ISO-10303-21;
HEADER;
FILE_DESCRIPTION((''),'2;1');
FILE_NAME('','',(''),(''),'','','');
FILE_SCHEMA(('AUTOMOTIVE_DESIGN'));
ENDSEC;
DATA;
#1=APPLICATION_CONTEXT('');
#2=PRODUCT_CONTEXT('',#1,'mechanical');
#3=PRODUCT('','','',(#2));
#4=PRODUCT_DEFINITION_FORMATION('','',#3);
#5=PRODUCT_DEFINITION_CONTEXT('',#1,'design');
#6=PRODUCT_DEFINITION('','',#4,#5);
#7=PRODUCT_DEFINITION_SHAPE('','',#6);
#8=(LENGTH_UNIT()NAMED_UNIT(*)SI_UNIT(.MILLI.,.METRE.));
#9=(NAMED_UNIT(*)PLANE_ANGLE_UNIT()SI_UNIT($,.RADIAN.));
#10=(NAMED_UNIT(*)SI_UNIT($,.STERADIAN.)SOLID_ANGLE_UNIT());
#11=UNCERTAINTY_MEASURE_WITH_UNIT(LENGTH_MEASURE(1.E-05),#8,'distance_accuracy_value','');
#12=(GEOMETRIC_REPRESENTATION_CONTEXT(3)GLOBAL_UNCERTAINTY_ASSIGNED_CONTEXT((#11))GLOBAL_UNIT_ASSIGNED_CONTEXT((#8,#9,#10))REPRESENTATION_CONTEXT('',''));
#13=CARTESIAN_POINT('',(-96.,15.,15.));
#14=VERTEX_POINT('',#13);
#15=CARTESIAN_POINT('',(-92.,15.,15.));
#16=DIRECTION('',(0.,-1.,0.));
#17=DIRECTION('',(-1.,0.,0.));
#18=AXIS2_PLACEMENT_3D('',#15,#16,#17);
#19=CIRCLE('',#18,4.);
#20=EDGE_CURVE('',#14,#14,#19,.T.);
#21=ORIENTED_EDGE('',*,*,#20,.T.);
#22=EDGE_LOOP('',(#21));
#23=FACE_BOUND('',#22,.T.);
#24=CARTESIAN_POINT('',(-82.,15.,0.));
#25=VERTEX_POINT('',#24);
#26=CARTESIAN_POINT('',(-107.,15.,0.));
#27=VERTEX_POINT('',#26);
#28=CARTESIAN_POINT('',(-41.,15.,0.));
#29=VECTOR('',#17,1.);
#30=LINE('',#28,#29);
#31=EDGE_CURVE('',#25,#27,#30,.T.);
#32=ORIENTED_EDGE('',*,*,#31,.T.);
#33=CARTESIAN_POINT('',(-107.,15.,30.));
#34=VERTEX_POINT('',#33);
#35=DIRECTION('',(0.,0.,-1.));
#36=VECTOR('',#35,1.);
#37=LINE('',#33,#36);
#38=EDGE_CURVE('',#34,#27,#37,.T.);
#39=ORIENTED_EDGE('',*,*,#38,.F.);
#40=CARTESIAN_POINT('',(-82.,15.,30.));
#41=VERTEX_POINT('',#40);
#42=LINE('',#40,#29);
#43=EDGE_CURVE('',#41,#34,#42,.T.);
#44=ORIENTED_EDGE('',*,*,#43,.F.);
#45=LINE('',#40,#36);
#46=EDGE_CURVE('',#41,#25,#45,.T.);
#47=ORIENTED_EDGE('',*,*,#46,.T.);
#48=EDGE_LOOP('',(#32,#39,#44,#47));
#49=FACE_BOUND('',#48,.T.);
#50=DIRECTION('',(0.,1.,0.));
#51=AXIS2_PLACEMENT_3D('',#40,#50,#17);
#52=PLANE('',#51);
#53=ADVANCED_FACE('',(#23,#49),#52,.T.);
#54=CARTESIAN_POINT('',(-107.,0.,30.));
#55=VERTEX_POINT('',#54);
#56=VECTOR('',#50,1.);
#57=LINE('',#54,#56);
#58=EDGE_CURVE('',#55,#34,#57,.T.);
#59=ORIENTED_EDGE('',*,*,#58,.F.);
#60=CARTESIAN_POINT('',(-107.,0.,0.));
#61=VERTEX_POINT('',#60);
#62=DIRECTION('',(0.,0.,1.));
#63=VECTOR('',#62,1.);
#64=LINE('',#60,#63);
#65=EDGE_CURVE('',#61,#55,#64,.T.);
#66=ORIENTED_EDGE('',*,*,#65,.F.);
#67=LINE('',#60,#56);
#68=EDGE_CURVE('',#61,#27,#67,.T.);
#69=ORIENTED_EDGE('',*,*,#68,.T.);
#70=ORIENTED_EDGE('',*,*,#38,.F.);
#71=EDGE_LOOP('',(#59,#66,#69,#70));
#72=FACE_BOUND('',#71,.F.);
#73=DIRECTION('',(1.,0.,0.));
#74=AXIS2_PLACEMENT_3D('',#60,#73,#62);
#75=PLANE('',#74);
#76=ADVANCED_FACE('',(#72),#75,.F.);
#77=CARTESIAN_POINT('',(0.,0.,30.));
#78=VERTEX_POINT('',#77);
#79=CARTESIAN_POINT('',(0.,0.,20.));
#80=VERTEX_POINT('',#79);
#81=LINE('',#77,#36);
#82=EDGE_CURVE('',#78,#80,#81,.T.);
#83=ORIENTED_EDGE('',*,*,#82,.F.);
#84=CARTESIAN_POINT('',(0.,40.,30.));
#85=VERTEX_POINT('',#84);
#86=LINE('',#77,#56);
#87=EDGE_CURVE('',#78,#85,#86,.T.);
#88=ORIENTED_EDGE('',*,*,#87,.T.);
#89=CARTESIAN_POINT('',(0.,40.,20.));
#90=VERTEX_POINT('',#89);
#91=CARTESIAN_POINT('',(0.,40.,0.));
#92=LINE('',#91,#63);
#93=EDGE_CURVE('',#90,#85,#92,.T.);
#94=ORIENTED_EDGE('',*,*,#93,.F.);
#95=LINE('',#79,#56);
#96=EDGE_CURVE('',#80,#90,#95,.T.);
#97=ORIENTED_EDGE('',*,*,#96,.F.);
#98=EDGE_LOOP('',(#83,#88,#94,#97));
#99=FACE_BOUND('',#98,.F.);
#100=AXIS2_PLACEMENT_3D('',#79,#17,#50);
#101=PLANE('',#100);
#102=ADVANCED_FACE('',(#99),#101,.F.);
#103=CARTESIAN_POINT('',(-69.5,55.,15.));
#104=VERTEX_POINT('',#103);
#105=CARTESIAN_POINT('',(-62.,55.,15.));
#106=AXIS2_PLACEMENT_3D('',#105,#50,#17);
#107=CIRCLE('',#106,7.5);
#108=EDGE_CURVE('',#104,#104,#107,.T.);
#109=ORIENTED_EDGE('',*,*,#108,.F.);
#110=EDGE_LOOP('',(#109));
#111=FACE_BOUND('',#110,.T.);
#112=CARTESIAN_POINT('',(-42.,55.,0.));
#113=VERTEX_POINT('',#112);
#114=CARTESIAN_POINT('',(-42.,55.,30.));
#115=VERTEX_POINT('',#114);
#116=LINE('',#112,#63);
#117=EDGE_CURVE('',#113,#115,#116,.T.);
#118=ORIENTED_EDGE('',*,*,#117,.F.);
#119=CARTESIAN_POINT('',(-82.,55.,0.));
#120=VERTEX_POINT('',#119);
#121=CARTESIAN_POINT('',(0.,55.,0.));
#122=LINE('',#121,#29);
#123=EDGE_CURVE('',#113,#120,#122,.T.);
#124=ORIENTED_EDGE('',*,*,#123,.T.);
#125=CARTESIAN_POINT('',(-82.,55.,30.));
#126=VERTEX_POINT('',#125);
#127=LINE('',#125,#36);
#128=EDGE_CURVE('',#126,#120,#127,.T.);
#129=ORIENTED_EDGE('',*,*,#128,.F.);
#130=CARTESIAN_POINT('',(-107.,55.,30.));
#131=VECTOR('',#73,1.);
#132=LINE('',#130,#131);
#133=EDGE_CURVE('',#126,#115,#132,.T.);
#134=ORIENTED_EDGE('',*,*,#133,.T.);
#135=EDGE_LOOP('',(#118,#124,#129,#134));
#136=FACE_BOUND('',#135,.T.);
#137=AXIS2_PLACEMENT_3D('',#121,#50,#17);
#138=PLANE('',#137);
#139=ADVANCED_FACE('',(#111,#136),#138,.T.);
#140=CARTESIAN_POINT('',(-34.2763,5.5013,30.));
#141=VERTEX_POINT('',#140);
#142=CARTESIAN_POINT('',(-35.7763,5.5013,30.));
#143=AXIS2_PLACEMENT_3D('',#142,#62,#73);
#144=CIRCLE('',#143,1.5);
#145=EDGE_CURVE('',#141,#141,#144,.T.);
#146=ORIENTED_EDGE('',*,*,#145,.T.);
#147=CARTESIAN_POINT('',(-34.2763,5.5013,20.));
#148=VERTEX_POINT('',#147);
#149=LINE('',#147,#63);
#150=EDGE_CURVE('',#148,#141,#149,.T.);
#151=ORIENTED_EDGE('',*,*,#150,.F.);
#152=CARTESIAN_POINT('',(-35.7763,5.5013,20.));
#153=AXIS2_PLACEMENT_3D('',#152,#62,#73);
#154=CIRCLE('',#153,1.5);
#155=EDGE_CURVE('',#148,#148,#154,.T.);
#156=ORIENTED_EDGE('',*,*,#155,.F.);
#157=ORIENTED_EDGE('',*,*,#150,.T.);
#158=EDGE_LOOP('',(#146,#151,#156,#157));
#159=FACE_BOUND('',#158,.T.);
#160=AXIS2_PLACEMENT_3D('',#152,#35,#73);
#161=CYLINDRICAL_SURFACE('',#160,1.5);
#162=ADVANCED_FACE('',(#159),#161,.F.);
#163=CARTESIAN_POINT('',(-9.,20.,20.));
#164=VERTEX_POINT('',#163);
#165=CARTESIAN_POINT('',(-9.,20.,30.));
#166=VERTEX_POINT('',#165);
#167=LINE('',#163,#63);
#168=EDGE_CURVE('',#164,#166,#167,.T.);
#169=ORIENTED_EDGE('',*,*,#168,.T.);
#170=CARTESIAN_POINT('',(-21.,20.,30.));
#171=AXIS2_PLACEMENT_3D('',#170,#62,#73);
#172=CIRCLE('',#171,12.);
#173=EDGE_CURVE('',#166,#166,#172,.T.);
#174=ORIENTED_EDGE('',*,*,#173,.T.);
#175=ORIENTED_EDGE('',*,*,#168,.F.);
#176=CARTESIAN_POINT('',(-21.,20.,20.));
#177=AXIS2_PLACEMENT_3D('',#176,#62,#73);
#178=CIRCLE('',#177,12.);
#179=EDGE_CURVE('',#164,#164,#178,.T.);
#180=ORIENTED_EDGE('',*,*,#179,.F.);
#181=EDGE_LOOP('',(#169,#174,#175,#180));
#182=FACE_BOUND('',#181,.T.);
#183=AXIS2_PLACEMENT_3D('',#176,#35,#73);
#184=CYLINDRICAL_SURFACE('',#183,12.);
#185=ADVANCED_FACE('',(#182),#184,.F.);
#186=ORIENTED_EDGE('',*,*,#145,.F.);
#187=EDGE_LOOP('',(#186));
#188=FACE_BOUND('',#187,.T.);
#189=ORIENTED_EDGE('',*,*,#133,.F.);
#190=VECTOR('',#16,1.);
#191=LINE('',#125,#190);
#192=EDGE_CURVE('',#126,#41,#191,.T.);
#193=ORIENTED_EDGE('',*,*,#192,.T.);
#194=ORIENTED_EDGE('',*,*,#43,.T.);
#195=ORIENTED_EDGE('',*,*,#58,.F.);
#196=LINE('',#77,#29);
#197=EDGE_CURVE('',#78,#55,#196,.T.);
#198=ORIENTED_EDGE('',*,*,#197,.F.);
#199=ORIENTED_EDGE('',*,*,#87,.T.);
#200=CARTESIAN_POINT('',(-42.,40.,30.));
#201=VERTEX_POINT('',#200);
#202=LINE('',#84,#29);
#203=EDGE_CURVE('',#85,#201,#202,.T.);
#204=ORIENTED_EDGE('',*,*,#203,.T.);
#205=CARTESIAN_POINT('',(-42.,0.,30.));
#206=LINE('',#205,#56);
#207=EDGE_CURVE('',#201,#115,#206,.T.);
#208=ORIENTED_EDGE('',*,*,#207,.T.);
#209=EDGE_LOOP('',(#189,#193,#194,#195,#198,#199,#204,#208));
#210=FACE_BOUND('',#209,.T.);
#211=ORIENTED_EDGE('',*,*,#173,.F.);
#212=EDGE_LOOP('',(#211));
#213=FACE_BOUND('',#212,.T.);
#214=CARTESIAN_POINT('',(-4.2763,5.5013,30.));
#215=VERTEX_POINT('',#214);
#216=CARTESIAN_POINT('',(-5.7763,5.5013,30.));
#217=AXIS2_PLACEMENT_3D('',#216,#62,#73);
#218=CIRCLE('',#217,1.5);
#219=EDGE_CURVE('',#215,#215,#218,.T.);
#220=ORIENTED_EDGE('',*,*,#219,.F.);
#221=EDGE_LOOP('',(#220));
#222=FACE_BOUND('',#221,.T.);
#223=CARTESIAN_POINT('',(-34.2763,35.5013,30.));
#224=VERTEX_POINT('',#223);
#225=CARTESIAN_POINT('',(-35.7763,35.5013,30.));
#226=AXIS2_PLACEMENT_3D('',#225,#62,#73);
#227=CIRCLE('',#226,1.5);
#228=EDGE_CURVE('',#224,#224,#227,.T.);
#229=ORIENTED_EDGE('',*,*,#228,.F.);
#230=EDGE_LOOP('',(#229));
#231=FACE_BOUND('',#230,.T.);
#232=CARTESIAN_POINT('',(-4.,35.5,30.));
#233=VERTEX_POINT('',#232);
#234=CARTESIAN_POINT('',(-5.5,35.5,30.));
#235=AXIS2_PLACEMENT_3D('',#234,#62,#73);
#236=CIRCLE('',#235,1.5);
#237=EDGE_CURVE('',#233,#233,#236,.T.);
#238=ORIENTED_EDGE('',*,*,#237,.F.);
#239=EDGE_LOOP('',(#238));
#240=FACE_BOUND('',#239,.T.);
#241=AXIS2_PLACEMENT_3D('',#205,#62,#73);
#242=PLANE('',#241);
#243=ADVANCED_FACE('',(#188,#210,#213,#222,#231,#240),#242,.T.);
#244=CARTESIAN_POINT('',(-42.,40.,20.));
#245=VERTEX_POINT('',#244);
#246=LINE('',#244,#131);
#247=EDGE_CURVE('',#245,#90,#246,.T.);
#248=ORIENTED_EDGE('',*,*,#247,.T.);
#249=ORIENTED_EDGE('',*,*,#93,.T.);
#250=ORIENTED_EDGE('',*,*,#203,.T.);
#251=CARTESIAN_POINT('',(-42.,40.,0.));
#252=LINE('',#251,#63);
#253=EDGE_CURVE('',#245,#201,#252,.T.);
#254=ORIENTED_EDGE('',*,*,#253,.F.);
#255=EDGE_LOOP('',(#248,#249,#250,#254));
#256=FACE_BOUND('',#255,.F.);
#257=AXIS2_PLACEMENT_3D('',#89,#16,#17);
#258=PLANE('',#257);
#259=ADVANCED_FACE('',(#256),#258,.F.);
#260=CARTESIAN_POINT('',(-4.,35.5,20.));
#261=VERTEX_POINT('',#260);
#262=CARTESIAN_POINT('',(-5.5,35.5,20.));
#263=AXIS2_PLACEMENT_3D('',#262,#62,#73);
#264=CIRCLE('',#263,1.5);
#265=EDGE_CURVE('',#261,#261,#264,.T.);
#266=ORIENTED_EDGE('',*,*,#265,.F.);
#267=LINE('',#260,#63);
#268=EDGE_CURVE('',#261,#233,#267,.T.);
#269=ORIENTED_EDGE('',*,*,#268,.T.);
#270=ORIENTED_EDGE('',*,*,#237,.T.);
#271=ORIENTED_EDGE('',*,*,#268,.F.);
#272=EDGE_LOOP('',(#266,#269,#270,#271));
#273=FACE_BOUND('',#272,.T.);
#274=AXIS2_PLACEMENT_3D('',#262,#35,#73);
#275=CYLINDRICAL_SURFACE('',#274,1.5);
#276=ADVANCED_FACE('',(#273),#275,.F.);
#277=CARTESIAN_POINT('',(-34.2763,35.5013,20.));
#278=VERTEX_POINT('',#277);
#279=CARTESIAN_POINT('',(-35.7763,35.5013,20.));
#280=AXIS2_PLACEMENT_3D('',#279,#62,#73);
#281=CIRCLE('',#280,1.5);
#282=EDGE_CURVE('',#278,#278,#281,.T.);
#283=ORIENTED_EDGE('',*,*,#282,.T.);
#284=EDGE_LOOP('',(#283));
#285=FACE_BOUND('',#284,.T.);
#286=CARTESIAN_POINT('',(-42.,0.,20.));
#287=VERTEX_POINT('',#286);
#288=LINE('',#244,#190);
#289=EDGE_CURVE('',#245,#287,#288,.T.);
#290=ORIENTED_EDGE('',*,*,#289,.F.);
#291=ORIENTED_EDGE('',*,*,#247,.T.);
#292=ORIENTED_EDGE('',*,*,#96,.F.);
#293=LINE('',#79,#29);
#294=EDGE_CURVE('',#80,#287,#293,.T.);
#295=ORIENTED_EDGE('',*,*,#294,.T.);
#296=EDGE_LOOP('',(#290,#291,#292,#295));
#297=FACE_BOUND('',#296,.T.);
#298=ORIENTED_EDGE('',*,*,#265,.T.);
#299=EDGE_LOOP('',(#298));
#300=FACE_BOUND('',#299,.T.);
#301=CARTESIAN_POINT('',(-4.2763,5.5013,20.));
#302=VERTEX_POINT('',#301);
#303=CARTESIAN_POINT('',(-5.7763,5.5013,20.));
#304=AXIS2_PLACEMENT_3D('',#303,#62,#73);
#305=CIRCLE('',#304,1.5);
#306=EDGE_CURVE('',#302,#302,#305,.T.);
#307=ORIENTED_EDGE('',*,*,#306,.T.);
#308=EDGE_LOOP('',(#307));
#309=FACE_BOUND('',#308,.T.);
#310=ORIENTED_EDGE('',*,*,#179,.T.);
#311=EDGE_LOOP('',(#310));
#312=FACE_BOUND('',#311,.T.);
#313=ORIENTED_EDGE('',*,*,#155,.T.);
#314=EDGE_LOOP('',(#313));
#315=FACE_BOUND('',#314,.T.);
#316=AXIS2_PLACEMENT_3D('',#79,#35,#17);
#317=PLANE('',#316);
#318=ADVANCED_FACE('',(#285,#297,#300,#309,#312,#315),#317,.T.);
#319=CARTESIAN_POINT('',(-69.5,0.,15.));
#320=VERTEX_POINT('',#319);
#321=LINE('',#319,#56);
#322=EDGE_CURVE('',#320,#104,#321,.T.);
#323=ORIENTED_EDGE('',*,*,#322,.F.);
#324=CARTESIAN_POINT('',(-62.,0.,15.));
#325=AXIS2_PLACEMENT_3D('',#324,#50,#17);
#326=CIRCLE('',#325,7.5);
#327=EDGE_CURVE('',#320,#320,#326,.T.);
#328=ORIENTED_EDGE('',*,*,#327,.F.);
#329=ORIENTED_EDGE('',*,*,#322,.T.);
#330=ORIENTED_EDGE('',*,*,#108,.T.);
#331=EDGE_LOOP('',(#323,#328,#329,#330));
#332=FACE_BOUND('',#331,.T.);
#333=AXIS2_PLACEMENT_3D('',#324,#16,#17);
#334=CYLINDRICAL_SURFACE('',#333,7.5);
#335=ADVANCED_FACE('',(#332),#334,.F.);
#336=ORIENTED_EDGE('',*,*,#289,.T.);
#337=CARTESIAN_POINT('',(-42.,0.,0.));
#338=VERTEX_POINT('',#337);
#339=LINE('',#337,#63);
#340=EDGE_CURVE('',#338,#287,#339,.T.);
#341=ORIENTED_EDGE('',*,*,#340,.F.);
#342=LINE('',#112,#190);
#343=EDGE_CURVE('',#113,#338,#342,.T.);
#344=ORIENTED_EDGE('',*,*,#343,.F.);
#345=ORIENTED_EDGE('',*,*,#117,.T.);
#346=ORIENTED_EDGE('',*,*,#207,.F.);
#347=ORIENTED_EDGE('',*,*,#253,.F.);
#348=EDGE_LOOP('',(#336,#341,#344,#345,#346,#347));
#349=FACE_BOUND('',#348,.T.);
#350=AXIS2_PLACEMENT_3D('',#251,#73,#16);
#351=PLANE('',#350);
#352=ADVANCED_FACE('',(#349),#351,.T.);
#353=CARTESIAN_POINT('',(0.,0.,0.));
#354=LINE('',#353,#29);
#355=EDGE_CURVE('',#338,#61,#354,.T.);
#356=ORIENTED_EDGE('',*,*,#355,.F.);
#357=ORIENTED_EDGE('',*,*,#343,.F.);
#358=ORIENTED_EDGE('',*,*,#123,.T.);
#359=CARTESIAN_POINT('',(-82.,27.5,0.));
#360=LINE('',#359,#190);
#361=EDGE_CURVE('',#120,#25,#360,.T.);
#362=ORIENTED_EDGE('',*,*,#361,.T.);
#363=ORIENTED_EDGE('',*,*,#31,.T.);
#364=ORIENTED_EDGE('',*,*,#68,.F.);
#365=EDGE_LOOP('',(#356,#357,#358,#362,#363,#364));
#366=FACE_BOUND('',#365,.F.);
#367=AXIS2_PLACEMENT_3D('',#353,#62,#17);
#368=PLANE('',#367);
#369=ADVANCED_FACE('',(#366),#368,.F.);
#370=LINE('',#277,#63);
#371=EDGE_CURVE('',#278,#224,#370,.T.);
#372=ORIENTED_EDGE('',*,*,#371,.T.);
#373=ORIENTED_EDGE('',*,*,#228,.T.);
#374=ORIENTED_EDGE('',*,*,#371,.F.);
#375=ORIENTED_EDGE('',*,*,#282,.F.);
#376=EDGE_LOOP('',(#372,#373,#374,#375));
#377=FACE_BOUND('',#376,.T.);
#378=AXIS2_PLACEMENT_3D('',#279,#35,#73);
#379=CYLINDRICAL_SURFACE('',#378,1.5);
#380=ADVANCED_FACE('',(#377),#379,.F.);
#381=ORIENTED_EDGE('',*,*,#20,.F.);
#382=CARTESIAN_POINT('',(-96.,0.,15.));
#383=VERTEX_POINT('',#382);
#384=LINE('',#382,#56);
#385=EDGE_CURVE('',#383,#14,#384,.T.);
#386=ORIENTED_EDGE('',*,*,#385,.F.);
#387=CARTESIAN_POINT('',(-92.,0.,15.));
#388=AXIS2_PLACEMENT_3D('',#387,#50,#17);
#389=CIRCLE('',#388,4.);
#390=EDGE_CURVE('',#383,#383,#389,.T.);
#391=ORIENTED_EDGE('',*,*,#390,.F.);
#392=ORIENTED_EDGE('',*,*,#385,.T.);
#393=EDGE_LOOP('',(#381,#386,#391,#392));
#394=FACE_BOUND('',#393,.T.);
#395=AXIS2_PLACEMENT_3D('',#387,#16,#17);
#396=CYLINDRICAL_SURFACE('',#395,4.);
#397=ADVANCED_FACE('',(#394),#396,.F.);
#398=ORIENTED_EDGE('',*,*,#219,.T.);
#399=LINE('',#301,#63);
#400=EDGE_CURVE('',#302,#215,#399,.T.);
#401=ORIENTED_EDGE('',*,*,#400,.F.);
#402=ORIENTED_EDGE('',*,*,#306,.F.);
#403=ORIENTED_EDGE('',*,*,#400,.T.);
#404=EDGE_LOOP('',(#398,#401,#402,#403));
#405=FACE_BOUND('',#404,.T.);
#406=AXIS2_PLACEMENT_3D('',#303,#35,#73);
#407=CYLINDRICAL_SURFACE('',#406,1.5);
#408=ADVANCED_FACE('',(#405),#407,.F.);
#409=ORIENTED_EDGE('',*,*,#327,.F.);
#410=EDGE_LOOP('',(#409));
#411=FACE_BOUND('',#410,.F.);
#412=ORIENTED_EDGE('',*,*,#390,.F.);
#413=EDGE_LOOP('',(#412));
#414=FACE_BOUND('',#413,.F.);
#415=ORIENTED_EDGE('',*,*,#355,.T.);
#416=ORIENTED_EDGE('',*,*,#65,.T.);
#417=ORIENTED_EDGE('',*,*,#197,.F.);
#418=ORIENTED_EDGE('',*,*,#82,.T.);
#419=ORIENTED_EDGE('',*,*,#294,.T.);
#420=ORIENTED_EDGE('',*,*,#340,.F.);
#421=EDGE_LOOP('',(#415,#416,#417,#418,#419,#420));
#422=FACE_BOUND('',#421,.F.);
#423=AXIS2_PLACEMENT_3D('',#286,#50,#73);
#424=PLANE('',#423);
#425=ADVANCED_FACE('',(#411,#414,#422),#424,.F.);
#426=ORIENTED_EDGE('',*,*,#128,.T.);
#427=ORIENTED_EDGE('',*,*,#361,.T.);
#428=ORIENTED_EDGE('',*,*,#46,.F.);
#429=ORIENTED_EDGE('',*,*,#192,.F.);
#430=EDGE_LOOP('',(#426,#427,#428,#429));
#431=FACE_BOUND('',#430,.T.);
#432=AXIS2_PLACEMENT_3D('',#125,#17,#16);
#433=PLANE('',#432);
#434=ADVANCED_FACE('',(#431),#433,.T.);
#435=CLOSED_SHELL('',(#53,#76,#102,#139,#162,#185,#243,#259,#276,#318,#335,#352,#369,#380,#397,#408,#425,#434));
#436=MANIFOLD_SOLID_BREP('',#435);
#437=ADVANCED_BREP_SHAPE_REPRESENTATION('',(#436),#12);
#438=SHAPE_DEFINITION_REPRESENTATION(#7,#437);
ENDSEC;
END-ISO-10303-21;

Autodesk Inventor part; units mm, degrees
ref_plane "YZ Plane" through (0, 0, 0) normal (1, 0, 0) x (0, 1, 0)
ref_plane "XZ Plane" through (0, 0, 0) normal (0, 1, 0) x (-1, 0, 0)
ref_plane "XY Plane" through (0, 0, 0) normal (0, 0, 1) x (1, 0, 0)
sketch "Sketch1" plane through (0, 0, 0) normal (0, 1, 0) x (-1, 0, 0)
  line L0 (0, 0) -> (107, 0)
  line L1 (107, 0) -> (107, 30)
  line L2 (107, 30) -> (42, 30)
  line L3 (0, 20) -> (0, 0)
  line L4 (42, 30) -> (42, 20)
  line L5 (42, 20) -> (0, 20)
  circle A0 centre (62, 15) radius 7.5
  circle A1 centre (92, 15) radius 4
  dimension "d6" = 15
  dimension "d7" = 8
extrude "Extrusion1" add sketch "Sketch1" along normal blind 55
sketch "Sketch2" plane through (-107, 0, 30) normal (0, 0, 1) x (1, 0, 0)
  line L0 (0, 55) -> (25, 55)
  line L1 (25, 55) -> (25, 15)
  line L2 (25, 15) -> (0, 15)
  line L3 (0, 15) -> (0, 55)
  point P0 (107, 0)
  dimension "d10" = 25
  dimension "d11" = 40
extrude "Extrusion2" cut sketch "Sketch2" against normal blind 55
sketch "Sketch3" plane through (-42, 0, 20) normal (0, 0, 1) x (1, 0, 0)
  line L0 (0, 55) -> (42, 55)
  line L1 (42, 55) -> (42, 40)
  line L2 (42, 40) -> (0, 40)
  line L3 (0, 40) -> (0, 55)
  circle A0 centre (21, 20) radius 12
  circle A1 centre (6.2237, 35.5013) radius 1.5
  circle A2 centre (36.5, 35.5) radius 1.5
  circle A3 centre (36.2237, 5.5013) radius 1.5
  circle A4 centre (6.2237, 5.5013) radius 1.5
  dimension "d14" = 42
  dimension "d15" = 15
  dimension "d16" = 24
  dimension "d22" = 3
  dimension "d23" = 3
  dimension "d24" = 3
  dimension "d25" = 3
extrude "Extrusion3" cut sketch "Sketch3" against normal blind 55
sketch "Sketch4" plane through (-42, 0, 20) normal (0, 0, 1) x (1, 0, 0)
  line L0 (42, 40) -> (0, 40) projected
  line L1 (0, 0) -> (0, 40) projected
  line L2 (0, 0) -> (42, 0) projected
  line L3 (42, 0) -> (42, 40) projected
  circle A0 centre (21, 20) radius 12 projected
  circle A1 centre (36.2237, 5.5013) radius 1.5 projected
  circle A2 centre (6.2237, 35.5013) radius 1.5 projected
  circle A3 centre (36.5, 35.5) radius 1.5 projected
  circle A4 centre (6.2237, 5.5013) radius 1.5 projected
extrude "Extrusion4" add sketch "Sketch4" along normal blind 10
sketch "Sketch5" plane through (0, 0, 0) normal (0, 0, -1) x (-1, 0, 0)
  line L0 (42, 40) -> (0, 40) projected
  line L1 (0, 0) -> (0, 40) projected
  line L2 (0, 0) -> (107, 0) projected
  circle A0 centre (35.7763, 5.5013) radius 1.5 projected
  circle A1 centre (5.5, 35.5) radius 1.5 projected
  circle A2 centre (35.7763, 35.5013) radius 1.5 projected
  circle A3 centre (5.7763, 5.5013) radius 1.5 projected
  circle A4 centre (21, 20) radius 12 projected
  line L3 (42, 40) -> (42, 0)
extrude "Extrusion5" cut sketch "Sketch5" against normal blind 20
properties part number "X_Top_MotorSide_V3" material "Birch"
